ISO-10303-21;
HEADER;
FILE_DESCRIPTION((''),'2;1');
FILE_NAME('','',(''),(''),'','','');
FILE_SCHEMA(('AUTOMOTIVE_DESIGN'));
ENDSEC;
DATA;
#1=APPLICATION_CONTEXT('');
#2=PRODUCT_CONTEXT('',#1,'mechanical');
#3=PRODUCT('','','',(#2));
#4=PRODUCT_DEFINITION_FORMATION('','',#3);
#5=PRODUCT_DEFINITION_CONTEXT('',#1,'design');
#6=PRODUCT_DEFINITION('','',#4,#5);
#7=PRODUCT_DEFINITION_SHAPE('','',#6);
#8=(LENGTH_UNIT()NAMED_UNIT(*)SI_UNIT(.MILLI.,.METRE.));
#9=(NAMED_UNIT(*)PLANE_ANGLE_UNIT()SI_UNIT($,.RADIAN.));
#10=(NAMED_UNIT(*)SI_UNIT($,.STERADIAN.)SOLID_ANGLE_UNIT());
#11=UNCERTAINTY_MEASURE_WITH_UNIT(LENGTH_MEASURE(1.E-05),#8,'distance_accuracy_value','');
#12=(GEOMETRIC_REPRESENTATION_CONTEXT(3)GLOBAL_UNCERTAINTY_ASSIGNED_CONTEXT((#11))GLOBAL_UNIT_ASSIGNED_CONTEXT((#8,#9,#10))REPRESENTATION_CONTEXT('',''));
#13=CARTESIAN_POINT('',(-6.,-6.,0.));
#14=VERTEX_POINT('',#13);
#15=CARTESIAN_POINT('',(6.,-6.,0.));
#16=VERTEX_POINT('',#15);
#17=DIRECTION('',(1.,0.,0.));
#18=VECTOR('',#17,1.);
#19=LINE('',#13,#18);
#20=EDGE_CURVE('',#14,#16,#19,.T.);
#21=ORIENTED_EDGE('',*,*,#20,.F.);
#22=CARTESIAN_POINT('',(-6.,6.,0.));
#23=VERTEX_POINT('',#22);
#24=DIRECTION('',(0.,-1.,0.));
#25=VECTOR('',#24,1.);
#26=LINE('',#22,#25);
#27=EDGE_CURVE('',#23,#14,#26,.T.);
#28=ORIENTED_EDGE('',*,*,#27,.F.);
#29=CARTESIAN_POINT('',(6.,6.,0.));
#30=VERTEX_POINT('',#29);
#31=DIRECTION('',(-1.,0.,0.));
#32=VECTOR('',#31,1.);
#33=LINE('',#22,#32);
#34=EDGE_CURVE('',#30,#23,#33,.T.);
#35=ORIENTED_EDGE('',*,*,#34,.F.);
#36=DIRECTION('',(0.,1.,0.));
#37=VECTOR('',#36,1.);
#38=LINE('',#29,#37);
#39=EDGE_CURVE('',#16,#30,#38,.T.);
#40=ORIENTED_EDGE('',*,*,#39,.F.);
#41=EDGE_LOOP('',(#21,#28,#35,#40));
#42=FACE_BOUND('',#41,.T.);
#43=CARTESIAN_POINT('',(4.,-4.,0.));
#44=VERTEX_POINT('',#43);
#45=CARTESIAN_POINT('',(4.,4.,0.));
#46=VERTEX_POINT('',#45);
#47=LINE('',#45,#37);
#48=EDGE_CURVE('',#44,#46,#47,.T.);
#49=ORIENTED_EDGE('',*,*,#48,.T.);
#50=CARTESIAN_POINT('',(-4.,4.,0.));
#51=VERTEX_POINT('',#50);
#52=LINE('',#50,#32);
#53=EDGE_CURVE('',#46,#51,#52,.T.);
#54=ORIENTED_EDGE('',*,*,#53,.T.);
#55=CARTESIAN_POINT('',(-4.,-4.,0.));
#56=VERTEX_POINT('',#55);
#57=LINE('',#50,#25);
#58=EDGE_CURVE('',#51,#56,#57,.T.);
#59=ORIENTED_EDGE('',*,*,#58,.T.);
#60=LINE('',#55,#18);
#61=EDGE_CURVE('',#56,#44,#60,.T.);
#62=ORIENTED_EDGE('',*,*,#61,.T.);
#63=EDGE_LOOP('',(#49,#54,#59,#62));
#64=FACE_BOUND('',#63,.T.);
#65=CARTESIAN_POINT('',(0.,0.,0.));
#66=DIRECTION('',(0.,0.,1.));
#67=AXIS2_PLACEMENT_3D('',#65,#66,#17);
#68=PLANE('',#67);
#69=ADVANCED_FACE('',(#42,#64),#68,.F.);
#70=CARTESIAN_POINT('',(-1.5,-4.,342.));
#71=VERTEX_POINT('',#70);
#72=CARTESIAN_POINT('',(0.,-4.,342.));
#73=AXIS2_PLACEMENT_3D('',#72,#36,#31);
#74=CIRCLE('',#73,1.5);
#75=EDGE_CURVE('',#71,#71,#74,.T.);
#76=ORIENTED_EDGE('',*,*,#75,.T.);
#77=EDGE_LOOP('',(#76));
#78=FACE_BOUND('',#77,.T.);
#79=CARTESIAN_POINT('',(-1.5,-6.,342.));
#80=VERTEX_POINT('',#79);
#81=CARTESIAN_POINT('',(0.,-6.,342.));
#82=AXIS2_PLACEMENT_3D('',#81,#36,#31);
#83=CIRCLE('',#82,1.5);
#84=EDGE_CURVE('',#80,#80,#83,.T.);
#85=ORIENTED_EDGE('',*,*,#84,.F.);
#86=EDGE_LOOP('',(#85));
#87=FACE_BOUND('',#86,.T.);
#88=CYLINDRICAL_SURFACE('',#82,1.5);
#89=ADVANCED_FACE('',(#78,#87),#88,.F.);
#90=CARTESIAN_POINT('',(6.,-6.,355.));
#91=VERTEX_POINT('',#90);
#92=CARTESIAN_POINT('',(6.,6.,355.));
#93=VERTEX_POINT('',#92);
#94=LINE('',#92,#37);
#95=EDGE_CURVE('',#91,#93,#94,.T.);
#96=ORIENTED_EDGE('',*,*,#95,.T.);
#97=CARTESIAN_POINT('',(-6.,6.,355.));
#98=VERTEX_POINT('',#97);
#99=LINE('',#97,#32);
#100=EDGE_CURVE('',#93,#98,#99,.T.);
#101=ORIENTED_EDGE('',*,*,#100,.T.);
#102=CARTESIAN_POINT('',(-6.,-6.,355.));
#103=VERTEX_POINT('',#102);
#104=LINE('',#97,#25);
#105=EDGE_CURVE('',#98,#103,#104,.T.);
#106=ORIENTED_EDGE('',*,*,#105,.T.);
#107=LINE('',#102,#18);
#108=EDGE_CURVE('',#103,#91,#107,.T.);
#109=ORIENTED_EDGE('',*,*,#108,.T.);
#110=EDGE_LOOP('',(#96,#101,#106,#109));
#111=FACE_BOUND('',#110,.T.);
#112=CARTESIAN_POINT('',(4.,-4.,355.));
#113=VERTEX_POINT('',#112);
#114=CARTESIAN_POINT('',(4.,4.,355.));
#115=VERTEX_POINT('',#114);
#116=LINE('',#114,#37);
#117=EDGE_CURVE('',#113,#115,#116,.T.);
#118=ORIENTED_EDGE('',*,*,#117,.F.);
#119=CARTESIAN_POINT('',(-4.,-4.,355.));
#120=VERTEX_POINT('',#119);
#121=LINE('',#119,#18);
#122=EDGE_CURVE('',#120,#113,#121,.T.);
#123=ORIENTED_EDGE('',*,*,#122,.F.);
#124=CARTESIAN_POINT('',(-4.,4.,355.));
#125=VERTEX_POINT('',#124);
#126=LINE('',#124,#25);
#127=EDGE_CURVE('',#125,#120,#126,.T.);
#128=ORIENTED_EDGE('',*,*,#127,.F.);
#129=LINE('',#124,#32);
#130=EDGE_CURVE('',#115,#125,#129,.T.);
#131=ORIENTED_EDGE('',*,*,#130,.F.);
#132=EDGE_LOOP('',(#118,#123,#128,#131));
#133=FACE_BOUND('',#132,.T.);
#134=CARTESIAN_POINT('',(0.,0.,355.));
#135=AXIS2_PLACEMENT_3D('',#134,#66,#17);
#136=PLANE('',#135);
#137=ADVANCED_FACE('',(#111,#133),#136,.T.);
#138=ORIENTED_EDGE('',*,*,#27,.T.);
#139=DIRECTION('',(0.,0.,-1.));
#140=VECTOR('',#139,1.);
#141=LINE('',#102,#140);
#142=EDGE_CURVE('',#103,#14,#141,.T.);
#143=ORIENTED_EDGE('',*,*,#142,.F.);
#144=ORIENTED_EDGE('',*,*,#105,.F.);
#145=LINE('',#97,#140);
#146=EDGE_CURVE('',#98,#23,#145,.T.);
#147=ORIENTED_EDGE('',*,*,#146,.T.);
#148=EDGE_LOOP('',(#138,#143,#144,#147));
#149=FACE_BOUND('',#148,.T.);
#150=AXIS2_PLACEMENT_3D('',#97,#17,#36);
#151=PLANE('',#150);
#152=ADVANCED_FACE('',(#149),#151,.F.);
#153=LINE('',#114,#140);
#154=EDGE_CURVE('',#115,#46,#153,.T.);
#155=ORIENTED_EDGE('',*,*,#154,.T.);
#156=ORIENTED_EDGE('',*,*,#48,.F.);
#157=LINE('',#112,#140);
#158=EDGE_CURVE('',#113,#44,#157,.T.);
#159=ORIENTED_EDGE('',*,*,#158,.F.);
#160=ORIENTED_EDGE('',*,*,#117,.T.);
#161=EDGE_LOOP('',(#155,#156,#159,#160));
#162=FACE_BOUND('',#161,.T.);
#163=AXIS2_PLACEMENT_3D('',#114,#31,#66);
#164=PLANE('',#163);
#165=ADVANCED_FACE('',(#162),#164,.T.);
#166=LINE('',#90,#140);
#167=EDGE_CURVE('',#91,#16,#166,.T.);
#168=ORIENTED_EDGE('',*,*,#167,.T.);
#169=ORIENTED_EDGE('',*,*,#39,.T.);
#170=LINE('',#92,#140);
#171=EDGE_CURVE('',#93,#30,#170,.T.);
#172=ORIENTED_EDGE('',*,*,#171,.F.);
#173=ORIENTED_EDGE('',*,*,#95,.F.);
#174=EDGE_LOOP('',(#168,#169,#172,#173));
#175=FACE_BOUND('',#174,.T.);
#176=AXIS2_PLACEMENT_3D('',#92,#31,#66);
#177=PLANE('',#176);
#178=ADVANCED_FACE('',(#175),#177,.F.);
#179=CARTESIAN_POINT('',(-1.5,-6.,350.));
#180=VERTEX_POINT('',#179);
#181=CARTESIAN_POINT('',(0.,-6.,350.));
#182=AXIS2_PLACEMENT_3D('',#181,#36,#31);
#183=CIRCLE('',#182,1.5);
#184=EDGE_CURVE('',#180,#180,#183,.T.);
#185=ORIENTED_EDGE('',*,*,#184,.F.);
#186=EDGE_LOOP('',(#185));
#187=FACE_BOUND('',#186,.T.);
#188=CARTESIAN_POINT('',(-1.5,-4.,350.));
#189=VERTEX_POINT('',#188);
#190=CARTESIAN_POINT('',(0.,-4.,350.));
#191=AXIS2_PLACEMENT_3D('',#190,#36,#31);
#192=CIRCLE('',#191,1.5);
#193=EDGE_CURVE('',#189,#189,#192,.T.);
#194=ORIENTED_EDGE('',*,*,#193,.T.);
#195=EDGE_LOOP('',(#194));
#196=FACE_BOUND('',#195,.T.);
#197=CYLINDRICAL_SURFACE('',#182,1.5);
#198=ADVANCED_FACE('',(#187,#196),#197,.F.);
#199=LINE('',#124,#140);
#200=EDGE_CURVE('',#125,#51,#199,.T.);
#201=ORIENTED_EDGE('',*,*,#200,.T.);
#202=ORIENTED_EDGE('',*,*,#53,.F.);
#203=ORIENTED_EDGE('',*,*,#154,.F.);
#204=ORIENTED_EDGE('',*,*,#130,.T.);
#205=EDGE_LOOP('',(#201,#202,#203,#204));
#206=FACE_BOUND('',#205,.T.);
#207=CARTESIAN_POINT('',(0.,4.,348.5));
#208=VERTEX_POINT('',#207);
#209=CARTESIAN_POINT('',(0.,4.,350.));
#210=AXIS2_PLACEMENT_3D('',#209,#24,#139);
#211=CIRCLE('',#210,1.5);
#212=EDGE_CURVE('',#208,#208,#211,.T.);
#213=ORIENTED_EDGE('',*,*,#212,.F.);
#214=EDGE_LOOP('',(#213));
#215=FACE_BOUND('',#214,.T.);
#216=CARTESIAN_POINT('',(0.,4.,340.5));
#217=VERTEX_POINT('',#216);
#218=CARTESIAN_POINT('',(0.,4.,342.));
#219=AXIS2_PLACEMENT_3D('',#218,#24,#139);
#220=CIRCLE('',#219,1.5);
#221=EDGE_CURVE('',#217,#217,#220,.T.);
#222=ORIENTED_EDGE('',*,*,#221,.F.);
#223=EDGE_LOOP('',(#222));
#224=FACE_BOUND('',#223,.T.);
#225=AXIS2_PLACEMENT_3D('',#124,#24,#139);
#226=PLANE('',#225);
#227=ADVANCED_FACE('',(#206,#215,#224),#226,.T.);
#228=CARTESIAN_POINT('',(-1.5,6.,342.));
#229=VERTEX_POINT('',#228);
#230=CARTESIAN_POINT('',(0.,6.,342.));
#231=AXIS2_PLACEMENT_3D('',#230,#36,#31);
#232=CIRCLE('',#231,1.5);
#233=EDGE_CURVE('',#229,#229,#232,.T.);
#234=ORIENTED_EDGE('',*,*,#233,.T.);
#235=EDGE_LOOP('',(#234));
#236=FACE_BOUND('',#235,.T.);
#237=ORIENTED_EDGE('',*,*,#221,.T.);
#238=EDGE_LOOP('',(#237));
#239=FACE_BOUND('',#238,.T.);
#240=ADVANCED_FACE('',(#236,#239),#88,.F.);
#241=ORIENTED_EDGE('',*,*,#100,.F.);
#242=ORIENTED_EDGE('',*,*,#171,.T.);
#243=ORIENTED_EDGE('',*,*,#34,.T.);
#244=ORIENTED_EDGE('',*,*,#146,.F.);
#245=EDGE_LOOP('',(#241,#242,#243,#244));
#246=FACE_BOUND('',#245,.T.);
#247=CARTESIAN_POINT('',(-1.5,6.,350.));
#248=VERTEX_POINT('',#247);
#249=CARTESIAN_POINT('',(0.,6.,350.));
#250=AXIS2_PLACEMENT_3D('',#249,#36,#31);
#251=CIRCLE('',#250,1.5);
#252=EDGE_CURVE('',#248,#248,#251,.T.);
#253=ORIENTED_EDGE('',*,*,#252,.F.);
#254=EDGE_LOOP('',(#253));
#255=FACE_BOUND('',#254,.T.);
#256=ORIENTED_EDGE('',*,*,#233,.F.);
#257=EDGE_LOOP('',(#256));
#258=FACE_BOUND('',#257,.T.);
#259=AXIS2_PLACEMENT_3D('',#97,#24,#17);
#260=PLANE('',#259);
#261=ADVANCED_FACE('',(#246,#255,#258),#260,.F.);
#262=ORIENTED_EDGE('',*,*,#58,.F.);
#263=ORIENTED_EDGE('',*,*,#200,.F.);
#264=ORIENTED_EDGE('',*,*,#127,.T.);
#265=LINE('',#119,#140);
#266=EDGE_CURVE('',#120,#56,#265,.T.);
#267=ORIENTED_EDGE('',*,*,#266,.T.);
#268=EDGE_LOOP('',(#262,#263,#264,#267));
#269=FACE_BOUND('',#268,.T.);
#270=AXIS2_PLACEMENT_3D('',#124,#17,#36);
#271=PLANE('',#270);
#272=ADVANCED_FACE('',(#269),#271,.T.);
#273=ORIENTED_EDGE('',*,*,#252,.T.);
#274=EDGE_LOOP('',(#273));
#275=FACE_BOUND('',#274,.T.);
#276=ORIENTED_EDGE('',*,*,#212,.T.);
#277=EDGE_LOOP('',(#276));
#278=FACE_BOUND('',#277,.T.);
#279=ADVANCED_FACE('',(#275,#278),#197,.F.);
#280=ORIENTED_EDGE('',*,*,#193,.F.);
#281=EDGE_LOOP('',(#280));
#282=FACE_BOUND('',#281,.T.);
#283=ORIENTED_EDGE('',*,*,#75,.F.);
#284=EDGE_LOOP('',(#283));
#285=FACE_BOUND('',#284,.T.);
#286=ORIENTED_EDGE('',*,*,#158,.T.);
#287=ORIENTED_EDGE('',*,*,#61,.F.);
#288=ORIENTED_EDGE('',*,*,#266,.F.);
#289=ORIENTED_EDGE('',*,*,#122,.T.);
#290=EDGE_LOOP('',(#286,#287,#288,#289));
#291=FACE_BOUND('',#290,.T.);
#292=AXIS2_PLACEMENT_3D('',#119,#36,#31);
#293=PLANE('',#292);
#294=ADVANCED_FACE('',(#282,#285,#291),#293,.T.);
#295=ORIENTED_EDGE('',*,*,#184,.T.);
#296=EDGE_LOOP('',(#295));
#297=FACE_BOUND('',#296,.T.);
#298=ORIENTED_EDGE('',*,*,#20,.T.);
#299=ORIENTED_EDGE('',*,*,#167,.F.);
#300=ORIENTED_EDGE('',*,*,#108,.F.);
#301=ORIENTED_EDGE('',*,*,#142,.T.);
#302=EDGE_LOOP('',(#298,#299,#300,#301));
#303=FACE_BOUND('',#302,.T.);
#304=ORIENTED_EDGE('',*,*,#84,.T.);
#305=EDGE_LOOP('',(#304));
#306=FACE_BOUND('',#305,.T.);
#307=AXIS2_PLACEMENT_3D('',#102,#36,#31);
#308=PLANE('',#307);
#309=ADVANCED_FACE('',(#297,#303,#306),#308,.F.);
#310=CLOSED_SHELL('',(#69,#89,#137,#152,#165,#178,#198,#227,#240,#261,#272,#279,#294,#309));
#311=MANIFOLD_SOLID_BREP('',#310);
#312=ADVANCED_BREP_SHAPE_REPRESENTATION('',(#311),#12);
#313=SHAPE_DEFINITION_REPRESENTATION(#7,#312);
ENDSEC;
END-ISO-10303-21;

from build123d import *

# Parameters (mm, degrees)
SKETCH_2_W          = 12
SKETCH_2_H          = 12
SKETCH_2_W_2        = 8
SKETCH_2_H_2        = 8
EXTRUDE_1_DEPTH     = 355
SKETCH_5_R          = 1.5
CUT_EXTRUDE_2_DEPTH = 356.253430666


with BuildPart() as part:
    # 草图2 → 凸台-拉伸1 (new body)
    with BuildSketch(Plane.XY):
        Rectangle(SKETCH_2_W, SKETCH_2_H)
        Rectangle(SKETCH_2_W_2, SKETCH_2_H_2, mode=Mode.SUBTRACT)
    extrude(amount=EXTRUDE_1_DEPTH)

    # 草图5 → 切除-拉伸2 (cut, through all)
    with BuildSketch(Plane(origin=(0, 6, 0), x_dir=(1, 0, 0), z_dir=(0, 1, 0))):
        with Locations(Location((0, -350, 0), (0, 0, 180))):
            Circle(SKETCH_5_R)
        with Locations(Location((0, -342, 0), (0, 0, 180))):
            Circle(SKETCH_5_R)
    extrude(amount=-CUT_EXTRUDE_2_DEPTH, mode=Mode.SUBTRACT)


solid = part.part
